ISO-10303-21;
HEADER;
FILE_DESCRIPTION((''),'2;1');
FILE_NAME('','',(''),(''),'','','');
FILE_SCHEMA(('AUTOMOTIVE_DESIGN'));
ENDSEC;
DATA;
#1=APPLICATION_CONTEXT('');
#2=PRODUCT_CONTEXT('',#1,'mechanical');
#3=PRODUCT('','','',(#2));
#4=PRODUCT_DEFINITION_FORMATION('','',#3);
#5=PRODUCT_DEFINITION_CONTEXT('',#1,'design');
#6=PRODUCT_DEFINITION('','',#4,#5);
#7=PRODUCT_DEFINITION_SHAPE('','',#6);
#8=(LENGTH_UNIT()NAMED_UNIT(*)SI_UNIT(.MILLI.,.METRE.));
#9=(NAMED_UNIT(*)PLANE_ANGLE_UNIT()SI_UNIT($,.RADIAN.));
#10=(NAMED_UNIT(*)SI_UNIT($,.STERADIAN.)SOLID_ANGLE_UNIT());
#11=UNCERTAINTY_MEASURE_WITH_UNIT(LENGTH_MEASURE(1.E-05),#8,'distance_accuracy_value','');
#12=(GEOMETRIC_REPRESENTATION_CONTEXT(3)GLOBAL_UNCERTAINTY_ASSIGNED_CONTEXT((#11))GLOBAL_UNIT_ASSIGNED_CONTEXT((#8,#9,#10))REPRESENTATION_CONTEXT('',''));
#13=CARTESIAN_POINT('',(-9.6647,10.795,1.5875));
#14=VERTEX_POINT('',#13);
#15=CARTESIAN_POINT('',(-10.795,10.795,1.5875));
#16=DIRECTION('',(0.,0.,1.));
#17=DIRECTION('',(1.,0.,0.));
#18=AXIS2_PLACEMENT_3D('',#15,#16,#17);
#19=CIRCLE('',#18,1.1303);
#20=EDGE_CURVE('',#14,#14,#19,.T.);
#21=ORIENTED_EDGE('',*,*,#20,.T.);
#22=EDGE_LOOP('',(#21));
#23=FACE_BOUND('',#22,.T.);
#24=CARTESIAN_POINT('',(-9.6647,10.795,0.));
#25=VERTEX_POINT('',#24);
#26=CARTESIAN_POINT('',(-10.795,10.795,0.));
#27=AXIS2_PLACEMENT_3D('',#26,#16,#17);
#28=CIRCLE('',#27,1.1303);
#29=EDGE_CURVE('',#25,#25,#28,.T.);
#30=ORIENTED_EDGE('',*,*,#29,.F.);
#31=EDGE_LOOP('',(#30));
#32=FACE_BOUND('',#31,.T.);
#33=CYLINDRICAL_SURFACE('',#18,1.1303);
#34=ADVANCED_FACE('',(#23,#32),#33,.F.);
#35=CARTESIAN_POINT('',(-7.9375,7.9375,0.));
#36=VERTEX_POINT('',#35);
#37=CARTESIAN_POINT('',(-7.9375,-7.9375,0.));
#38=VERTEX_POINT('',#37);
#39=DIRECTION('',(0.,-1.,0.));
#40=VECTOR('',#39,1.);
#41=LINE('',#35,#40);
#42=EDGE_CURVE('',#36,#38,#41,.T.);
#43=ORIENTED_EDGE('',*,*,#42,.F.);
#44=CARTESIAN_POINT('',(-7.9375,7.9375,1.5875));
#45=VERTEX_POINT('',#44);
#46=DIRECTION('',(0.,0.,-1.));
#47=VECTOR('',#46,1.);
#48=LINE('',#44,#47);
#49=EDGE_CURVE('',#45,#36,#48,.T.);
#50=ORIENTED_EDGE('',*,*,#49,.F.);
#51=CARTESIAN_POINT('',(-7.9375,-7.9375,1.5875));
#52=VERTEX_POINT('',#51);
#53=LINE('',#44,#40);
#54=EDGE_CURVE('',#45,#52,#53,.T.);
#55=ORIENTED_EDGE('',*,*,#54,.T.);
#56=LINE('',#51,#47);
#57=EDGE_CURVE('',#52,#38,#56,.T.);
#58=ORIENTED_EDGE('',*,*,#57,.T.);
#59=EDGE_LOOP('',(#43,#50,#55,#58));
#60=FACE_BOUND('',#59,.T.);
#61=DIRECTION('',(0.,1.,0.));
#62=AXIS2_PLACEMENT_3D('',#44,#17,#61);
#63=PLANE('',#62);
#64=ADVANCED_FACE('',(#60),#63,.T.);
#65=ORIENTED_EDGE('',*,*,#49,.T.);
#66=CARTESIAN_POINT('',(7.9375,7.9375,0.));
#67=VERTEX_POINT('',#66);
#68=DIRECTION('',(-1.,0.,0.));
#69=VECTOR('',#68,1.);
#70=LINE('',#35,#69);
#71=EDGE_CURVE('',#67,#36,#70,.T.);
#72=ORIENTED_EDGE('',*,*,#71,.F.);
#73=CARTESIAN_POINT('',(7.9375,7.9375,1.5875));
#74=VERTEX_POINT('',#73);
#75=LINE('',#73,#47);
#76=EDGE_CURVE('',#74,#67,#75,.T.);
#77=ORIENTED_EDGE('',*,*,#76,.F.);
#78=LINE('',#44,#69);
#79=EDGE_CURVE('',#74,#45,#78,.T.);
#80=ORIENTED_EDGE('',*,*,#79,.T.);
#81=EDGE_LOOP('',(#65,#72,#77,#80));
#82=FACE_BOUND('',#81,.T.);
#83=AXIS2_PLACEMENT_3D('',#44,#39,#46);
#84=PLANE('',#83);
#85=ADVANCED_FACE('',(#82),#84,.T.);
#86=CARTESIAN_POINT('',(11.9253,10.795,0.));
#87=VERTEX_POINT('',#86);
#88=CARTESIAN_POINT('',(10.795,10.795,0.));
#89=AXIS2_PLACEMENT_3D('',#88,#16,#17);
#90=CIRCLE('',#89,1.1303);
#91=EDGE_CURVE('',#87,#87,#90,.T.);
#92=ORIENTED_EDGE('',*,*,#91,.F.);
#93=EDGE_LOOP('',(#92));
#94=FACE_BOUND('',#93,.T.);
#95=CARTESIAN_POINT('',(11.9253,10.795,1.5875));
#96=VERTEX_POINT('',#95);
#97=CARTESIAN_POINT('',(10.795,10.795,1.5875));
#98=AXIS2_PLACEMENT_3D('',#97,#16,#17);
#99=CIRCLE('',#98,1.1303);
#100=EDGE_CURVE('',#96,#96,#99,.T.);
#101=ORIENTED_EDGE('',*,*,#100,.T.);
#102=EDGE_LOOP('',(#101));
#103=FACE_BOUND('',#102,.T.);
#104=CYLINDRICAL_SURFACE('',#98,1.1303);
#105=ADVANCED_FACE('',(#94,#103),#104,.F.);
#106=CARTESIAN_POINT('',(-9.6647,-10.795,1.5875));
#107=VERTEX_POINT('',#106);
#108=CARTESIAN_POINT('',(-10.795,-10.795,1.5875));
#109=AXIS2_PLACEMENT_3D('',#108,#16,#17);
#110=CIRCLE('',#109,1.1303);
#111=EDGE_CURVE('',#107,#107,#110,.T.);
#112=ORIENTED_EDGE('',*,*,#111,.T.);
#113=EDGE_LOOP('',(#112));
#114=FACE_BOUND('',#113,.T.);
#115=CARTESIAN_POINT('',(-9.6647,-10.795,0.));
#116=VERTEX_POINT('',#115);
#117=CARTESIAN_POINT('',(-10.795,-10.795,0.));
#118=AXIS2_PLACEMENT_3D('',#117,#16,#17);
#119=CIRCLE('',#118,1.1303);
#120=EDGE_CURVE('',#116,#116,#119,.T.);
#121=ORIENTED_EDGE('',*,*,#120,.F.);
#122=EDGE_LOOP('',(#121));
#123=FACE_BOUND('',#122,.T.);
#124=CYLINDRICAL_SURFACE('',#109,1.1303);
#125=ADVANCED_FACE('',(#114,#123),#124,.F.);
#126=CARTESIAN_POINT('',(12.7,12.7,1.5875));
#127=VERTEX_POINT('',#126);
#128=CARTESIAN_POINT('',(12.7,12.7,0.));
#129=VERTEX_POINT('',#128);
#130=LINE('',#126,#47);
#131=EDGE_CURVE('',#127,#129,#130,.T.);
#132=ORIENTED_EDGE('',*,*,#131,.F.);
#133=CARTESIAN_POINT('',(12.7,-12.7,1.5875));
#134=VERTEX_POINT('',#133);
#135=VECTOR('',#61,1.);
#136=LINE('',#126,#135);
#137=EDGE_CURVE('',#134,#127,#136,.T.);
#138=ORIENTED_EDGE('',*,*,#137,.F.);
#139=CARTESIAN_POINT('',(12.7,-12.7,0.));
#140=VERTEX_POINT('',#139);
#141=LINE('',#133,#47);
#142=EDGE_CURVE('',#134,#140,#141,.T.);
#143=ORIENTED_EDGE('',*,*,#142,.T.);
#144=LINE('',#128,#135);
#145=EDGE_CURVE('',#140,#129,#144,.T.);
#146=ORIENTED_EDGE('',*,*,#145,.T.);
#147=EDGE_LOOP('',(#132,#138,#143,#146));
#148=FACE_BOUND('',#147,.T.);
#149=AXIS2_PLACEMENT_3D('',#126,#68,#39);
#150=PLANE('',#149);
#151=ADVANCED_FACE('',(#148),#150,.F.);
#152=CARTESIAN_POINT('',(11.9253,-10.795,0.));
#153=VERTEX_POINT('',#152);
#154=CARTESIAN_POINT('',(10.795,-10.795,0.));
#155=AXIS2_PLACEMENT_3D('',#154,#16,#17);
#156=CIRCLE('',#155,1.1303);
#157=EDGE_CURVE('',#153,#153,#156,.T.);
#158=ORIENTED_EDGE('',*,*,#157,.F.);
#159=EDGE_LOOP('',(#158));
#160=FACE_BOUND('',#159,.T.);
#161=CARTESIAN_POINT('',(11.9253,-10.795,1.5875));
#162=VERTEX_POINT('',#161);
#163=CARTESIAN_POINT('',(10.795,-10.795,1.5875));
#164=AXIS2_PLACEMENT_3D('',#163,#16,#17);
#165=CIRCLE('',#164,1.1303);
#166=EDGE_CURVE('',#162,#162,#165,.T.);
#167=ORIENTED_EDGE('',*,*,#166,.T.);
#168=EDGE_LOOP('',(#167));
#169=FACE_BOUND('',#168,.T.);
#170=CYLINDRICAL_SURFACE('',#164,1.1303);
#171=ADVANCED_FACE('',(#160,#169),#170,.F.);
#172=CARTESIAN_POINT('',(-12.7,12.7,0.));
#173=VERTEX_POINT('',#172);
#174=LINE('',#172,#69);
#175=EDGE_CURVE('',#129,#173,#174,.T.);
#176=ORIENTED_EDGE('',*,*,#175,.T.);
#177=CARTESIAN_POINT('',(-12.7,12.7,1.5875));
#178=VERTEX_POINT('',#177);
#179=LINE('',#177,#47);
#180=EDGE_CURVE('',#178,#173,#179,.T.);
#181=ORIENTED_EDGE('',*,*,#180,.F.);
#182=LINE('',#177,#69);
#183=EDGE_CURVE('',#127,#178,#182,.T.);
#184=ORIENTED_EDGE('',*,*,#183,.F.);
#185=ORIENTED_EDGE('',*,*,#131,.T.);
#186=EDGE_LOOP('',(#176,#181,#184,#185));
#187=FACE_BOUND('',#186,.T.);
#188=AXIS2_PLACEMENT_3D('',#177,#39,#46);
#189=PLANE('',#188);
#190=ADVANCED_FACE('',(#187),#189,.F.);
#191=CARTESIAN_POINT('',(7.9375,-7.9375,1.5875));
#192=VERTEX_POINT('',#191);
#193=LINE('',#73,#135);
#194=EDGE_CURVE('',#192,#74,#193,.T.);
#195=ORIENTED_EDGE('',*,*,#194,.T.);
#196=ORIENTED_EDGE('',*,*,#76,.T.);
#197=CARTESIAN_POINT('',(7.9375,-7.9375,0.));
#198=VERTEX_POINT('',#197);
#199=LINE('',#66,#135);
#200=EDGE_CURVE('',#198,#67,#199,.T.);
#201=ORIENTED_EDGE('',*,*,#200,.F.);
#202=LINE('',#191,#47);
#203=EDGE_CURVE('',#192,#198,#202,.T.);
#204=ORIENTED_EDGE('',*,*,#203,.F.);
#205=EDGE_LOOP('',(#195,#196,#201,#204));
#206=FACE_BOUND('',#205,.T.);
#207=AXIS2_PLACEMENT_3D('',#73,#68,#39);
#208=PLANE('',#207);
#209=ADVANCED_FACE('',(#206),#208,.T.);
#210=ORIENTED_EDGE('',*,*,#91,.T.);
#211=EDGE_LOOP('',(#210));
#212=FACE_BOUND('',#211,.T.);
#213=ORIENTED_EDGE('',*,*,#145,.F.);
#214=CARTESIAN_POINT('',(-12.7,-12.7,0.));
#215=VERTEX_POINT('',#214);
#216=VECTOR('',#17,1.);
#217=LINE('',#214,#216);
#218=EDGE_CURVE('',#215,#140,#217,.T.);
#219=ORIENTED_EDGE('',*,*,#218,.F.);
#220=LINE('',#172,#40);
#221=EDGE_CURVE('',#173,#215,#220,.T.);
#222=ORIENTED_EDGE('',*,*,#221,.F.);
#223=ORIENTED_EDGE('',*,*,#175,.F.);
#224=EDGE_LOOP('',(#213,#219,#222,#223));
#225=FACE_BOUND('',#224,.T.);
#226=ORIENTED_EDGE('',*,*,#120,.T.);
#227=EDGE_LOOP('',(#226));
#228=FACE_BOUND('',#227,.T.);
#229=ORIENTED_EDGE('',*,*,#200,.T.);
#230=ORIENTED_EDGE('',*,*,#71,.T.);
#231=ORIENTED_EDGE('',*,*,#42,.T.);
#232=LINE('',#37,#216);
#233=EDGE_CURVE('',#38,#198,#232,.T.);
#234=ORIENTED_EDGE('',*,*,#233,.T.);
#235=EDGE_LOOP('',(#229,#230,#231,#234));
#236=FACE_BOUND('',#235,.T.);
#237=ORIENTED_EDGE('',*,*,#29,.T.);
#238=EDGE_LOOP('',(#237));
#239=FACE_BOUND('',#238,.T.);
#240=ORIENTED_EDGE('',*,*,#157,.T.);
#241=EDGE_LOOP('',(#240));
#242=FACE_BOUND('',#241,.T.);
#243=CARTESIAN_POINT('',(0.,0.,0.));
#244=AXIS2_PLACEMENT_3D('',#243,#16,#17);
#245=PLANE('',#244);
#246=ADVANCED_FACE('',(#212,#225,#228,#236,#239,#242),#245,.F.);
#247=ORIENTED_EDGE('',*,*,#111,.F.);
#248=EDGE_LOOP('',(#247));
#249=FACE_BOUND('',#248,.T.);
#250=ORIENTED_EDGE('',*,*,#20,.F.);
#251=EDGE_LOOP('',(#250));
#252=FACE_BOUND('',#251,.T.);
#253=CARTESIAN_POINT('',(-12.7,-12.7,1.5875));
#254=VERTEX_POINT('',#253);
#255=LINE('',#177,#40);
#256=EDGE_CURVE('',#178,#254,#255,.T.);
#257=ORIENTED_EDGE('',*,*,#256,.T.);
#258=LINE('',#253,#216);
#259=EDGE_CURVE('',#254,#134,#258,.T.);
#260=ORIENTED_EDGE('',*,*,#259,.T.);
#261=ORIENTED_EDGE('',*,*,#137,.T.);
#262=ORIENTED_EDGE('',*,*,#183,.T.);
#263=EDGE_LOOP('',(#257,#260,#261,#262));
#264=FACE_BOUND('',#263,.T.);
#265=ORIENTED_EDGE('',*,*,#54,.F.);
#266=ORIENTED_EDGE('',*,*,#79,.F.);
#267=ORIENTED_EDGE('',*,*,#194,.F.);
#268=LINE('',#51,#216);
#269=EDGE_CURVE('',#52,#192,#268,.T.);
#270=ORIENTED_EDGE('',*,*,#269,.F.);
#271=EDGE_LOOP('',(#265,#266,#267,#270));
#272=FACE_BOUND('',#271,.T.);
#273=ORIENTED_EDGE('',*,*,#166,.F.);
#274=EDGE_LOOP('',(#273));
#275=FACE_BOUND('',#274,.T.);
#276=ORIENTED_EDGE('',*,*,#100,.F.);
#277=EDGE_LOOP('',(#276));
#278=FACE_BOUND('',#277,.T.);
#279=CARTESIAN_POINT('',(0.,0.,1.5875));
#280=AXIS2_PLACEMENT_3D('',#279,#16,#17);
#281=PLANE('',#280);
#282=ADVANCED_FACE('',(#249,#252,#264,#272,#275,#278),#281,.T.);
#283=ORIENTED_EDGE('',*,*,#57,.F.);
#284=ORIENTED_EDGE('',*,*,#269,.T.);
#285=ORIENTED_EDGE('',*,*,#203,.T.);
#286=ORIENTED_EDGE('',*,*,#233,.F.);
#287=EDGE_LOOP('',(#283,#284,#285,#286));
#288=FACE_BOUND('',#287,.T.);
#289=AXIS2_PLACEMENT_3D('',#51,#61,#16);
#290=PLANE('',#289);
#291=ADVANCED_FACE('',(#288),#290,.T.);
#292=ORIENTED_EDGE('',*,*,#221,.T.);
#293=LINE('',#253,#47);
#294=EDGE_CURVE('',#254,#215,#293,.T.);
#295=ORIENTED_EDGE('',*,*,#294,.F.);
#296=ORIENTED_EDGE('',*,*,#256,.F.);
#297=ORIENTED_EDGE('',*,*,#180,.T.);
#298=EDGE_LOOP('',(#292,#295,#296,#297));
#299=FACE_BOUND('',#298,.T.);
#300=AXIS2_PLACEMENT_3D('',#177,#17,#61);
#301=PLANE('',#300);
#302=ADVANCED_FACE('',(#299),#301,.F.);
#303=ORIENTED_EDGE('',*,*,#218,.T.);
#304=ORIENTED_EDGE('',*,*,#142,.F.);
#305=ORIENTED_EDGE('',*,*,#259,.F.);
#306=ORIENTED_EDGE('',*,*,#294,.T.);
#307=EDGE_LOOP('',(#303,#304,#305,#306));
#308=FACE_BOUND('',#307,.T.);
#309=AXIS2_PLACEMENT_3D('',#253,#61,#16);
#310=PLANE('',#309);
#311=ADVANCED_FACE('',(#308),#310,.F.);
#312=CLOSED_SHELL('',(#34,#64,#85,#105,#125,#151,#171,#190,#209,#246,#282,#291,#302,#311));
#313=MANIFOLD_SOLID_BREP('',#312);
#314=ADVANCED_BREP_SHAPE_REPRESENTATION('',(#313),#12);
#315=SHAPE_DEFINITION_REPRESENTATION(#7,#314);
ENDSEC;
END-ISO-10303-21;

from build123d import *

# Parameters (mm, degrees)
SKETCH1_W             = 25.4
SKETCH1_H             = 25.4
SKETCH1_W_2           = 15.875
SKETCH1_H_2           = 15.875
BOSS_EXTRUDE1_DEPTH   = 1.5875
F_2_CLEARANCE_HOLE1_D = 2.2606


with BuildPart() as part:
    # Sketch1 → Boss-Extrude1 (new body)
    with BuildSketch(Plane.XY):
        Rectangle(SKETCH1_W, SKETCH1_H)
        Rectangle(SKETCH1_W_2, SKETCH1_H_2, mode=Mode.SUBTRACT)
    extrude(amount=BOSS_EXTRUDE1_DEPTH)

    # #2 Clearance Hole1 (through all)
    with Locations(Plane(origin=(-3.354949313, -31.077572016, 1.5875), x_dir=(1, 0, 0), z_dir=(0, 0, 1))):
        with Locations((14.149949313, 41.872572016), (-7.440050687, 41.872572016), (-7.440050687, 20.282572016), (14.149949313, 20.282572016)):
            Hole(F_2_CLEARANCE_HOLE1_D / 2)


solid = part.part
